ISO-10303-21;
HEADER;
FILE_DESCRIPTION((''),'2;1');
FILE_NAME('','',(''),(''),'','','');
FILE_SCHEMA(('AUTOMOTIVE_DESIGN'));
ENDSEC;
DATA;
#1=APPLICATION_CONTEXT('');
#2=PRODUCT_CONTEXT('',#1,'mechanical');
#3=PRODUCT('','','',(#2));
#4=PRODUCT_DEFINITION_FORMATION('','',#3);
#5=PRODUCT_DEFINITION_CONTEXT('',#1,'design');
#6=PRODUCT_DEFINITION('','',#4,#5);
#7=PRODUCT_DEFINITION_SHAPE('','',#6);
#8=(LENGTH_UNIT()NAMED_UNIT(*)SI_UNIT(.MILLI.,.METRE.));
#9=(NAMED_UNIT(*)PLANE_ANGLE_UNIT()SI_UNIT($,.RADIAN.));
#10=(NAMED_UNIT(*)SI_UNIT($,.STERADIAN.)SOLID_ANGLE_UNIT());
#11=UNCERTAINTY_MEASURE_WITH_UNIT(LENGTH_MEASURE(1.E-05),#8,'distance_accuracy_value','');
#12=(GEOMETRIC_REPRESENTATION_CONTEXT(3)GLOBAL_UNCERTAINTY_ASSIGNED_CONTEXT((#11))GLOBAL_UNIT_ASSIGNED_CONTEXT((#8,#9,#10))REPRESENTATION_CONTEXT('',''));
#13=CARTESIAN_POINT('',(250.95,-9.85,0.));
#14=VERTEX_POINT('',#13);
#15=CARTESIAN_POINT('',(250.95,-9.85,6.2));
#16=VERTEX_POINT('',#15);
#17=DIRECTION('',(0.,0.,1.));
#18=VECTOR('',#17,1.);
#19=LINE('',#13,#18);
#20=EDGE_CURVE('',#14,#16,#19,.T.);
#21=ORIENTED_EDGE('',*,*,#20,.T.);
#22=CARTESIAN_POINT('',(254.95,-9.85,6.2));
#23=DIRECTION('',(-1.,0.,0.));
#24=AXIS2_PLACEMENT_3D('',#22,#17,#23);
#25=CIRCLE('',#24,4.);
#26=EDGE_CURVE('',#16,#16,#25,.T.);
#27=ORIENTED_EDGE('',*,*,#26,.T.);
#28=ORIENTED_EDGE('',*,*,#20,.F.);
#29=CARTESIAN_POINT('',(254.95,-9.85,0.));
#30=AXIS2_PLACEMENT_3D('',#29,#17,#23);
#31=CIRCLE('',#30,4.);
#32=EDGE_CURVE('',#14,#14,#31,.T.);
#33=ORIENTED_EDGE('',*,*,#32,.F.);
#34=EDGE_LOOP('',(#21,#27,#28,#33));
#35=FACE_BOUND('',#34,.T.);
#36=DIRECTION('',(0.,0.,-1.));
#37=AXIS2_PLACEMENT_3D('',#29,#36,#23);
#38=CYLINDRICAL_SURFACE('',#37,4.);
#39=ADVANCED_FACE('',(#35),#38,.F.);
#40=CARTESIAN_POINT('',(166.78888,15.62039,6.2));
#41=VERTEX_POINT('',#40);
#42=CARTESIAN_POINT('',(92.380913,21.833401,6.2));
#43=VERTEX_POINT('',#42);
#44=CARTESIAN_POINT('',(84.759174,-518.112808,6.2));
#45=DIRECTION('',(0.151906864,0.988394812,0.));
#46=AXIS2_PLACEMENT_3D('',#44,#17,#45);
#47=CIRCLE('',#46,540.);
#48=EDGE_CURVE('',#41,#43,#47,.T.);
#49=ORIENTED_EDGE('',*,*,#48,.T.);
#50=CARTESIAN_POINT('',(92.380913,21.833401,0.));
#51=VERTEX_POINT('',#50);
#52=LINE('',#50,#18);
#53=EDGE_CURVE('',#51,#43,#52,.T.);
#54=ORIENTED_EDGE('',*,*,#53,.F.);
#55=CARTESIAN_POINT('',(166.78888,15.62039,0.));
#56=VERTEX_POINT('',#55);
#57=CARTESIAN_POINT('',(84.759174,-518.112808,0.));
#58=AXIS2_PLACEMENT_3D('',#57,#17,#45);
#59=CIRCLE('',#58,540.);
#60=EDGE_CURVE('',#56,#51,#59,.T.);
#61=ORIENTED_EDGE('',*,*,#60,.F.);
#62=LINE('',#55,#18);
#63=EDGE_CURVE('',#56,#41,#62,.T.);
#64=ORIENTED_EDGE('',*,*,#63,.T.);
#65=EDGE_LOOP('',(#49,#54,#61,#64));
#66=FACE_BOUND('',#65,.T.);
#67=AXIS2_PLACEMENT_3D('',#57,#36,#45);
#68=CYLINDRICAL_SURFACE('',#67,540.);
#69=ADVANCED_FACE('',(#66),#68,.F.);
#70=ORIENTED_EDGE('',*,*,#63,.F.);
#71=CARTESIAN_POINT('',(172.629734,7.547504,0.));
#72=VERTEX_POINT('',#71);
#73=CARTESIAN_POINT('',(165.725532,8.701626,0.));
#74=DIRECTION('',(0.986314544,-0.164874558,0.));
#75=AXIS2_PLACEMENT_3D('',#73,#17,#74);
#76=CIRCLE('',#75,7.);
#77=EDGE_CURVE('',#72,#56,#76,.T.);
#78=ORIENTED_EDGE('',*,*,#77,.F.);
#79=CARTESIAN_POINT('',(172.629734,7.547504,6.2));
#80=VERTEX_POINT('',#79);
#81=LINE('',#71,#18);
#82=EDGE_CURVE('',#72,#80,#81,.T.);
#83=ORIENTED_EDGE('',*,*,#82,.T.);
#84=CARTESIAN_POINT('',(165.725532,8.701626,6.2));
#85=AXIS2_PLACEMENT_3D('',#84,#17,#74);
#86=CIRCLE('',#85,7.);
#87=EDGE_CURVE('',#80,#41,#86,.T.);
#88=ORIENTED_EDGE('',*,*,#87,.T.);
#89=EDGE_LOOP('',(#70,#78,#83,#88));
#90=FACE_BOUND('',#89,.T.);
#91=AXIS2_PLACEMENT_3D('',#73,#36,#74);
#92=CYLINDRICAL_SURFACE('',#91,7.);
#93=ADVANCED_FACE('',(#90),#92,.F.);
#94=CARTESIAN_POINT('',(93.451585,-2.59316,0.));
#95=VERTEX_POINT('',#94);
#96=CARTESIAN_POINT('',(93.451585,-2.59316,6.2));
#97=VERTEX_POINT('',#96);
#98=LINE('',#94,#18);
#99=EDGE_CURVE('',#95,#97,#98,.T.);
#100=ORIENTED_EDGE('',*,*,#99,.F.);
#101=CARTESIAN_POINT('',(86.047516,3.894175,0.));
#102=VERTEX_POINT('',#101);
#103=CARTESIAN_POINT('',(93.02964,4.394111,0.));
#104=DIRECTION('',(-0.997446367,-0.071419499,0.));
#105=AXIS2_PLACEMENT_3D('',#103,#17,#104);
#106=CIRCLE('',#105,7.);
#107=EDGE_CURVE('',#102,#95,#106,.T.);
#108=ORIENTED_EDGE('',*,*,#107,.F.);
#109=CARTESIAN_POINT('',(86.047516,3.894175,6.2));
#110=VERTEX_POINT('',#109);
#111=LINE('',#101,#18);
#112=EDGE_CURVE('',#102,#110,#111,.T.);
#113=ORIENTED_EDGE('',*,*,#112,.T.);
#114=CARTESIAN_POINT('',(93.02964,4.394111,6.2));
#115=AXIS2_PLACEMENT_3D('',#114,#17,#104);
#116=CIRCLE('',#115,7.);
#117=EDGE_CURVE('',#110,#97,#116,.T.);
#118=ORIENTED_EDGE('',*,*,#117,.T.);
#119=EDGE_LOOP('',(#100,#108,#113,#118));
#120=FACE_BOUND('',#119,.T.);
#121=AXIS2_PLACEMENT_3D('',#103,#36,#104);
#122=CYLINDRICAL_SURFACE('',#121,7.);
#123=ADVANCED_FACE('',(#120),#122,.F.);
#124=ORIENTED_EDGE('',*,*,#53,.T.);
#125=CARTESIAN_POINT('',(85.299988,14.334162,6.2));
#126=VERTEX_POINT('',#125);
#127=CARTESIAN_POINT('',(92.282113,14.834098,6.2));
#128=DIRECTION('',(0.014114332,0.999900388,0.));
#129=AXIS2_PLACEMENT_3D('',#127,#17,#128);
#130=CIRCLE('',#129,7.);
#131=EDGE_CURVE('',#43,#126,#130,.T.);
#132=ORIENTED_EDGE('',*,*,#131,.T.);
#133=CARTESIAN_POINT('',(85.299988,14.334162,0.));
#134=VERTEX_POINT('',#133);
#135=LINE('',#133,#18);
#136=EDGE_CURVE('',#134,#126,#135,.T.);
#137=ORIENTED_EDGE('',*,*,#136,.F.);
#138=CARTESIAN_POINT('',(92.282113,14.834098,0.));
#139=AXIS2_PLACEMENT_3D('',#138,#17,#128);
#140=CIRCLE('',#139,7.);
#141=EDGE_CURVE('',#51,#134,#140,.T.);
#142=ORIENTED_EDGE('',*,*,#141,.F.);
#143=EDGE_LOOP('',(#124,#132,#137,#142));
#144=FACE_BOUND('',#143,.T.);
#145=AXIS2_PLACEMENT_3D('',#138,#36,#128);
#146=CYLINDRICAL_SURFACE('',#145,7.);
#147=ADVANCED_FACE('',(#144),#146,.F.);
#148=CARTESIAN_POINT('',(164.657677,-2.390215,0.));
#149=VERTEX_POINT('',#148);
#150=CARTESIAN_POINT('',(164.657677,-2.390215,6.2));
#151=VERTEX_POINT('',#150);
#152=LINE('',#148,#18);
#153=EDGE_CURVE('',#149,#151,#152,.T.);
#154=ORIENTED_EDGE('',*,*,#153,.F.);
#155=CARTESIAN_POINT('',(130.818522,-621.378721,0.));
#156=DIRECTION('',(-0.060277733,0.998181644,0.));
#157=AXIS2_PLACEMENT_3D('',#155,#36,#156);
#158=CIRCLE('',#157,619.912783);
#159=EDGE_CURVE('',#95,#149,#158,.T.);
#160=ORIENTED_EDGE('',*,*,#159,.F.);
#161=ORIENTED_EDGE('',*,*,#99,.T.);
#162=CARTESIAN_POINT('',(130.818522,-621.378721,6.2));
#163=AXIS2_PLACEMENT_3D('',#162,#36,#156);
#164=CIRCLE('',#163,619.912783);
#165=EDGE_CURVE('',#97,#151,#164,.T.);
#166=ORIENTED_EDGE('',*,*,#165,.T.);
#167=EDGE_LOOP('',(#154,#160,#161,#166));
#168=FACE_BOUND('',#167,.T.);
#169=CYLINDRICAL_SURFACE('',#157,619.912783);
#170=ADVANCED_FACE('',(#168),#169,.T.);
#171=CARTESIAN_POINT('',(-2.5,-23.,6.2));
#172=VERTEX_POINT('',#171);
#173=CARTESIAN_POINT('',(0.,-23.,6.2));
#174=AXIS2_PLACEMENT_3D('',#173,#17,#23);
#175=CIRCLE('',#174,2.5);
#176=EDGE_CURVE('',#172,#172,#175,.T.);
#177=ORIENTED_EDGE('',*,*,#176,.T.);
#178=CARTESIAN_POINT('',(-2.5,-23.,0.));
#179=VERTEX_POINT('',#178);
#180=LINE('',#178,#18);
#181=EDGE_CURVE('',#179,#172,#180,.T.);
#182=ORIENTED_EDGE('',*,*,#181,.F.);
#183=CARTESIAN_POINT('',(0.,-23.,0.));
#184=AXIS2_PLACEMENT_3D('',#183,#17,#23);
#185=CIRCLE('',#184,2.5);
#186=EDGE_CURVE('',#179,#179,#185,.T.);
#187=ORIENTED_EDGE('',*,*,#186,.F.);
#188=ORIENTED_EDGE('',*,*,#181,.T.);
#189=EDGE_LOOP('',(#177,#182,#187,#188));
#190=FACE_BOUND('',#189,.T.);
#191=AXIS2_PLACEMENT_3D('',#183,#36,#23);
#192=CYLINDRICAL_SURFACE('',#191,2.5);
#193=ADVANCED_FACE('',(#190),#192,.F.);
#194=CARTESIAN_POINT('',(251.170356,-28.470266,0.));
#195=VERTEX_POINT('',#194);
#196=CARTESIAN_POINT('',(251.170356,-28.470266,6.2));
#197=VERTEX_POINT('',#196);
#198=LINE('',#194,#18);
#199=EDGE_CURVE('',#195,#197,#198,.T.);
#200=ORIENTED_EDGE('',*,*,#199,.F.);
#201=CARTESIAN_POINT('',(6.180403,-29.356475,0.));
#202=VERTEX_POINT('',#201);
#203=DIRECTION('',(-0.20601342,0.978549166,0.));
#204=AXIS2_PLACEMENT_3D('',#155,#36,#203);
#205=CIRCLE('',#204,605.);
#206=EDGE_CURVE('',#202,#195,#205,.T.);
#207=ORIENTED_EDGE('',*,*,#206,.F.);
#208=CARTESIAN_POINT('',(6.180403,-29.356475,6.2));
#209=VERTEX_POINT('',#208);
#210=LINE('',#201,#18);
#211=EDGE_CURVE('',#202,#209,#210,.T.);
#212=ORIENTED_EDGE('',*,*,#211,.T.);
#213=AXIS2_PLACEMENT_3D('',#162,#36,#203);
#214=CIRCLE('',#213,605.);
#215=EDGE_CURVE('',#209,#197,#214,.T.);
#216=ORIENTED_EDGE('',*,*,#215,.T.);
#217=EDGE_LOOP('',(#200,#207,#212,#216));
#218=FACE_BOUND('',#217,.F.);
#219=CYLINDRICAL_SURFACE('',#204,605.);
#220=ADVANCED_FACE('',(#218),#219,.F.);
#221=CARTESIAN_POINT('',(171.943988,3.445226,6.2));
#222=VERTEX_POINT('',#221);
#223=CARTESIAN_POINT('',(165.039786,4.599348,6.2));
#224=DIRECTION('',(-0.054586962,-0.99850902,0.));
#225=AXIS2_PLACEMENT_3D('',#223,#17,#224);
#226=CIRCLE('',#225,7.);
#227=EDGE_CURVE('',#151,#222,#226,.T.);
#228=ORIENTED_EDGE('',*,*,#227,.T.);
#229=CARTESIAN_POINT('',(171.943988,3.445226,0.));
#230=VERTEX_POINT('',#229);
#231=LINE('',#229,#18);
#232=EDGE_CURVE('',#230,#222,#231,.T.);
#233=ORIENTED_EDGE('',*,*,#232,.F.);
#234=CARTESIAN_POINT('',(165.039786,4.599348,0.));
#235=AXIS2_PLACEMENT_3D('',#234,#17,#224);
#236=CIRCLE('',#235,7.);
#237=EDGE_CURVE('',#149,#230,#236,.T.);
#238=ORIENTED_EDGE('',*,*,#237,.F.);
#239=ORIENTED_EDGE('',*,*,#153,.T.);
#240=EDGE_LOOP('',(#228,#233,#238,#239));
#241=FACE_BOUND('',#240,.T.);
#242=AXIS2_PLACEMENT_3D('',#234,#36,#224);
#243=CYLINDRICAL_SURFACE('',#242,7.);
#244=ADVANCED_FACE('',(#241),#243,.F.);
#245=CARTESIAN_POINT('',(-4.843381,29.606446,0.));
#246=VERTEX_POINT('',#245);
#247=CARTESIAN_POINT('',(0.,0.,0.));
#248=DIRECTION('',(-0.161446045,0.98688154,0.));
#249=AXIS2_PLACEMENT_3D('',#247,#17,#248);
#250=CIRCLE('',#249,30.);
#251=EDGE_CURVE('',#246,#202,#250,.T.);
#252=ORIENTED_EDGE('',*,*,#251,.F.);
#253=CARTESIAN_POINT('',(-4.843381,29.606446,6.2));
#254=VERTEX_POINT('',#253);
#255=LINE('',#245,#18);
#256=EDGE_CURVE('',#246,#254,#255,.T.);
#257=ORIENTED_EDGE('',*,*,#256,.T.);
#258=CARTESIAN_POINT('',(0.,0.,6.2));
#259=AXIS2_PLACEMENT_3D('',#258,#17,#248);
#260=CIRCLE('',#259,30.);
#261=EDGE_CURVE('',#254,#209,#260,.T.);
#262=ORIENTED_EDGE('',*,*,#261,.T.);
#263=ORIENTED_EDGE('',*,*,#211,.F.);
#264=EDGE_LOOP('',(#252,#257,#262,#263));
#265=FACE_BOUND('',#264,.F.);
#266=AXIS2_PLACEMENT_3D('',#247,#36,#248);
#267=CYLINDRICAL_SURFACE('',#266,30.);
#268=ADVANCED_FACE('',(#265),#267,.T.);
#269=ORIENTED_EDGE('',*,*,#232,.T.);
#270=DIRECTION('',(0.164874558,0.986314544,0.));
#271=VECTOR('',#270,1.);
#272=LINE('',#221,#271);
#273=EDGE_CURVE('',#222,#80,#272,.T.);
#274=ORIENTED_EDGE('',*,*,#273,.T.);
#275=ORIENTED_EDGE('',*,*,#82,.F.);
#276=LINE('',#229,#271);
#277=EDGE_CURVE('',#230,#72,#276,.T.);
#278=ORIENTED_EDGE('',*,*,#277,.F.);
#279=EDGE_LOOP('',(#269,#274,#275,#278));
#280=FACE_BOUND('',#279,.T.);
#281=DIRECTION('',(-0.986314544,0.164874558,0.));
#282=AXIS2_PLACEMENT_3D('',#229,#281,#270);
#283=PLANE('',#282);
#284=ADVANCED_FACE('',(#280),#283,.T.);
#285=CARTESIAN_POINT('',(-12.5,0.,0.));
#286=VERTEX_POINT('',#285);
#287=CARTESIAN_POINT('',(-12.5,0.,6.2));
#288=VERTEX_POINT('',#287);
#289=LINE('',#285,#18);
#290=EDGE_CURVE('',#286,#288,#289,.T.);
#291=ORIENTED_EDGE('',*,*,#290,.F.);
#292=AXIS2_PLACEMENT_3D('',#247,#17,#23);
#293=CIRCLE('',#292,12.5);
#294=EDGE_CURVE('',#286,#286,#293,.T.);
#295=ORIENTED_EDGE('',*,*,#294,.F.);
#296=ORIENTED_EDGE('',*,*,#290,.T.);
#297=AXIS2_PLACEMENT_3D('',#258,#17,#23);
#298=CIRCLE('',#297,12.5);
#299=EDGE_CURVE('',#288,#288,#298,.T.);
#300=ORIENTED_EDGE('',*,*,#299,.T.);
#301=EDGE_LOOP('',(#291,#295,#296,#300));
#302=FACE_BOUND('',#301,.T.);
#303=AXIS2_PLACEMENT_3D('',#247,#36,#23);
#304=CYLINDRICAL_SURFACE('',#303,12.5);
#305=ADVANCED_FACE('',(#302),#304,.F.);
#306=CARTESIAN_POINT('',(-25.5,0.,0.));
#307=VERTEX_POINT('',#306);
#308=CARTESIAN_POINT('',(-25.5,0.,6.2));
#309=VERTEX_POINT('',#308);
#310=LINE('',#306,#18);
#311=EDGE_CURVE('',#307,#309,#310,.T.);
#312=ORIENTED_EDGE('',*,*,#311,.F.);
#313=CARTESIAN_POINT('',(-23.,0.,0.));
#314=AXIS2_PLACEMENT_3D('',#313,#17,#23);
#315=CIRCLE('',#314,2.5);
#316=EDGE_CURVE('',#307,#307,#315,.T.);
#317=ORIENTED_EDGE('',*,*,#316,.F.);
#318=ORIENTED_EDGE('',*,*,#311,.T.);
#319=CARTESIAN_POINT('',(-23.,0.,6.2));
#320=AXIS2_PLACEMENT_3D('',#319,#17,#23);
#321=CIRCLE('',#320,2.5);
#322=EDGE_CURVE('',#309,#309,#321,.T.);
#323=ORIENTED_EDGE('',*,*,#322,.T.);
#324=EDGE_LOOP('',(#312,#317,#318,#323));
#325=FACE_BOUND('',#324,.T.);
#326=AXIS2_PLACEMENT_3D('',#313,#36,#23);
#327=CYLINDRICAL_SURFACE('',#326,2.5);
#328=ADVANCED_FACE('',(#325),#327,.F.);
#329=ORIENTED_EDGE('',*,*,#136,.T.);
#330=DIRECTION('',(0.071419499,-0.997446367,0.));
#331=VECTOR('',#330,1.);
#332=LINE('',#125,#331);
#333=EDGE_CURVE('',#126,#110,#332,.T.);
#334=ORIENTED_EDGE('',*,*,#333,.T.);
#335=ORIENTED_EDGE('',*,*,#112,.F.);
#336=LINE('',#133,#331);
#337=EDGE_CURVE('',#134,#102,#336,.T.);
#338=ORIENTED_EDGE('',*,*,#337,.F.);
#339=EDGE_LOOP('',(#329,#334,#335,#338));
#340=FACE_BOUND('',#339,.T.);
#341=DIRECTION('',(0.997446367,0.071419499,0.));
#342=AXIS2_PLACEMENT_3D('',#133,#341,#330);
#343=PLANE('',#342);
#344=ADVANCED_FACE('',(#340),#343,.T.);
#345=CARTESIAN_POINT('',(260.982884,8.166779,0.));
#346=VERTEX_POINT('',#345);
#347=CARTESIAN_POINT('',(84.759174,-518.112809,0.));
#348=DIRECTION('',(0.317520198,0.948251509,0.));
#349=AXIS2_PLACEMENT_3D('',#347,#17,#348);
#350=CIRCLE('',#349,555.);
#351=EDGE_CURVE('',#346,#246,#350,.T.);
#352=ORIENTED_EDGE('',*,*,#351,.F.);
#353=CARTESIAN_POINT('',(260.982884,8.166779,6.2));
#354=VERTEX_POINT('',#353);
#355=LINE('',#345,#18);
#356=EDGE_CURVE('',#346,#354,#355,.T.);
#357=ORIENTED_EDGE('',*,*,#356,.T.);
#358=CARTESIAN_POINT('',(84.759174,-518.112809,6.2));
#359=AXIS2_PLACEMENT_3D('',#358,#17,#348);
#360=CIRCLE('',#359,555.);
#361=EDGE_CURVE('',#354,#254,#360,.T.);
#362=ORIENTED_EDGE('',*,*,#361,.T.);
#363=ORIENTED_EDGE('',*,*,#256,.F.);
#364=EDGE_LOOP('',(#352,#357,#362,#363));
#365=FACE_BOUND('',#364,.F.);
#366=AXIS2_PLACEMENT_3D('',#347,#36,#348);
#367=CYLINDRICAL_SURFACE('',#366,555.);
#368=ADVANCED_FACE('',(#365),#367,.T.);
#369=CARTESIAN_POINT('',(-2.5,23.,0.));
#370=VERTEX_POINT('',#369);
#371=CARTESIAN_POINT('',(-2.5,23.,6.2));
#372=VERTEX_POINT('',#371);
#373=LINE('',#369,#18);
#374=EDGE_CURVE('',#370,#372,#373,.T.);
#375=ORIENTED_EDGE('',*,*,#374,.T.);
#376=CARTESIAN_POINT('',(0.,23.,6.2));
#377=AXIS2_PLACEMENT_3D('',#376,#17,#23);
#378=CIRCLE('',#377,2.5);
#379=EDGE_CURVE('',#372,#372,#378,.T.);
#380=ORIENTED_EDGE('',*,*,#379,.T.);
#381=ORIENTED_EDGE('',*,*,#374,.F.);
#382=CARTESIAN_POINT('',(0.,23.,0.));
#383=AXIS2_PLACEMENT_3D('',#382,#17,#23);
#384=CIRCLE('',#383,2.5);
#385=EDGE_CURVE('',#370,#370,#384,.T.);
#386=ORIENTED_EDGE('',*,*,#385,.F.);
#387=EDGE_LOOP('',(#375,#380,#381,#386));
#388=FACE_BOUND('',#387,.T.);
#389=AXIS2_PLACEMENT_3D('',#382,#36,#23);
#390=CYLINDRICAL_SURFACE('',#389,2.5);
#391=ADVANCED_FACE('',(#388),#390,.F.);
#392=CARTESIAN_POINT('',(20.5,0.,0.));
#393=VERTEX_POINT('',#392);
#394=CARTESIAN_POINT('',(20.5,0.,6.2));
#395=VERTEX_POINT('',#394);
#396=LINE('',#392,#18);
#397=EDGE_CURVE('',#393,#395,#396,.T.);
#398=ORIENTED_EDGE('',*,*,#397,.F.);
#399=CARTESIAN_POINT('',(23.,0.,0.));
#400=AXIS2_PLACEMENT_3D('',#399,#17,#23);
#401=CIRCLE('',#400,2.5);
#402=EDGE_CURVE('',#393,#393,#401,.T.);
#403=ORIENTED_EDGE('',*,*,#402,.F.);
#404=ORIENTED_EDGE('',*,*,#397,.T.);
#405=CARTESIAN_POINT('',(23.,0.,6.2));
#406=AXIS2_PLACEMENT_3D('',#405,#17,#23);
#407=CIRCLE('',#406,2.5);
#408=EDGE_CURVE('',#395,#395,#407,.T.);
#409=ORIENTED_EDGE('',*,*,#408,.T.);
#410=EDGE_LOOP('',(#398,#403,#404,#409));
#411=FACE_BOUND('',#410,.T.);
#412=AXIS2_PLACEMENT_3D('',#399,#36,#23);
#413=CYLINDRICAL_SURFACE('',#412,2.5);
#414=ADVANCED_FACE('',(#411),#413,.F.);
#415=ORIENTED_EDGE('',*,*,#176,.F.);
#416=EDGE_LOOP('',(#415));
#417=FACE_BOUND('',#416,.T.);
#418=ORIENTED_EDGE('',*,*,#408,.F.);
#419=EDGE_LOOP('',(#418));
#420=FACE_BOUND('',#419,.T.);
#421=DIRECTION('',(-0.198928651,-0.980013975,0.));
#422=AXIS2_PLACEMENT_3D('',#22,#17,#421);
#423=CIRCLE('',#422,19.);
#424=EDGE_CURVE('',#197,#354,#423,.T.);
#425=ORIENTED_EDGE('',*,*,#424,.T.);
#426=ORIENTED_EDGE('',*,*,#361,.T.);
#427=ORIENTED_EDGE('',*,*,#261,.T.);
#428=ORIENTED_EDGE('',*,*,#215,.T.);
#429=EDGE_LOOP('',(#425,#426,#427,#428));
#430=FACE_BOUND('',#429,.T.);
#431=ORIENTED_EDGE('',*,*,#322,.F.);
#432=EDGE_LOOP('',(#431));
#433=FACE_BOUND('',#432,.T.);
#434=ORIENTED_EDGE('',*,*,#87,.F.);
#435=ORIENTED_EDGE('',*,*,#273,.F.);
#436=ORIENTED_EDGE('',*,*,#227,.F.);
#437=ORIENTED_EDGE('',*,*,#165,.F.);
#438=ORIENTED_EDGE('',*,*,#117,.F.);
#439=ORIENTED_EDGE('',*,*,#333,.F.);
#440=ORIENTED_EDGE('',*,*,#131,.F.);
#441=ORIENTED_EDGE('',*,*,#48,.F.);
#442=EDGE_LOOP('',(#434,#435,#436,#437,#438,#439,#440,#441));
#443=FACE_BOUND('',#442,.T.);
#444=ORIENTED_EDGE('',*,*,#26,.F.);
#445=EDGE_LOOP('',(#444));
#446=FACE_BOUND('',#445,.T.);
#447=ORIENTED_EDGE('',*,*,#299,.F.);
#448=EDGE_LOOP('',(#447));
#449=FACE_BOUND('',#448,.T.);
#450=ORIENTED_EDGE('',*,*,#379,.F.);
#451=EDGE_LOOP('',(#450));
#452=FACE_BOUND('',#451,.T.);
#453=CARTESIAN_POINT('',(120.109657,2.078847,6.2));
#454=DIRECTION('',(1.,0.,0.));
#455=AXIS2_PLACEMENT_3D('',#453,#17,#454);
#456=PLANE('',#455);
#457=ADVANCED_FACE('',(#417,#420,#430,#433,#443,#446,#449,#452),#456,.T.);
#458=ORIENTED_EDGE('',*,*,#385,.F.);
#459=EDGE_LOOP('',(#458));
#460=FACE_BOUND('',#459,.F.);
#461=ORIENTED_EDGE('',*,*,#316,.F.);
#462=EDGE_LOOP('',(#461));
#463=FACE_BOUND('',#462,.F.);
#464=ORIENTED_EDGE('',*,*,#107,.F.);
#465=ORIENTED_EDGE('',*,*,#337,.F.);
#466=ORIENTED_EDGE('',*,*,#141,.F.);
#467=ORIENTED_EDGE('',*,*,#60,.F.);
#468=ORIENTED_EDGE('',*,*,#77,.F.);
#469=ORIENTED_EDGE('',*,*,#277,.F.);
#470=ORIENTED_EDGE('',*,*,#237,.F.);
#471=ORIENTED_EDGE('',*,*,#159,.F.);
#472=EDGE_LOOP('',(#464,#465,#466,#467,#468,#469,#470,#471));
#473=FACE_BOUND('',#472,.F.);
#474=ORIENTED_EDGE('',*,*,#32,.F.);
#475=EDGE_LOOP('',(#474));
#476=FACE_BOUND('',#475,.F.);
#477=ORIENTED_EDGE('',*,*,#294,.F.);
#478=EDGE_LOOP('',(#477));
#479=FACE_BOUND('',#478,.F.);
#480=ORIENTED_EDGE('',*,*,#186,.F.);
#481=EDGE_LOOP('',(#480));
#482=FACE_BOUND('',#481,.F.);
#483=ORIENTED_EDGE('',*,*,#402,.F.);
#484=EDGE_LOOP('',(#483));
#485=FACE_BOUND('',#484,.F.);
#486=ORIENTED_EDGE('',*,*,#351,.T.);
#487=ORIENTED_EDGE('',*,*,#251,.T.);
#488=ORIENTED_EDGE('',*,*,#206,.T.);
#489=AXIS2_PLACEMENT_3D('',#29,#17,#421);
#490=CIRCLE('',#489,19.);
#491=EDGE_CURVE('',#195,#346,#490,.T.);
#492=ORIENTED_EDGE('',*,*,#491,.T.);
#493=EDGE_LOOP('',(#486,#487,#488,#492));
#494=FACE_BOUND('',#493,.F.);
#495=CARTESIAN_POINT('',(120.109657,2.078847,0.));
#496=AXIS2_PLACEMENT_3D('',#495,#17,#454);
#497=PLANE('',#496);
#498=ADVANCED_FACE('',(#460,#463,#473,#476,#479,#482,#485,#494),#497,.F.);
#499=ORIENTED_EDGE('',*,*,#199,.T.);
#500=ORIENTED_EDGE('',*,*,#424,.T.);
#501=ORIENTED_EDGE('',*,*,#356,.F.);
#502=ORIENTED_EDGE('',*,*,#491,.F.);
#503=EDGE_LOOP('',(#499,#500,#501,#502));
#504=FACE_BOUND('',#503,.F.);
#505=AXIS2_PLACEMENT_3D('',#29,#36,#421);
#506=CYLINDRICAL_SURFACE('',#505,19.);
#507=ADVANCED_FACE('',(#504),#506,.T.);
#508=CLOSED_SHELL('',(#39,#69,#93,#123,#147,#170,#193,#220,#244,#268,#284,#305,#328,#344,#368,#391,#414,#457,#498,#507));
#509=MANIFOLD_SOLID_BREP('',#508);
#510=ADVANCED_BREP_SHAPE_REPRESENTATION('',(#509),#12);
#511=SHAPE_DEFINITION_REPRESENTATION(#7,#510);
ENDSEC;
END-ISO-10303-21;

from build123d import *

# Parameters (mm, degrees)
SKETCH1_R           = 4
SKETCH1_R_2         = 2.5
SKETCH1_R_3         = 12.5
BOSS_EXTRUDE1_DEPTH = 6.2


with BuildPart() as part:
    # Sketch1 → Boss-Extrude1 (new body)
    with BuildSketch(Plane.XY):
        with BuildLine():
            ThreePointArc((-4.843381354, 29.606446208), (-29.489039073, -5.513308858), (6.180402599, -29.356474988))
            ThreePointArc((6.180402599, -29.356474988), (128.63005147, -16.382678773), (251.170355628, -28.47026553))
            ThreePointArc((251.170355628, -28.47026553), (273.303133895, -14.765534175), (260.982883768, 8.166778664))
            ThreePointArc((260.982883768, 8.166778664), (129.376669821, 35.090841966), (-4.843381354, 29.606446208))
        make_face()
        with Locations(Location((254.95, -9.85, 0), (0, 0, 180))):
            Circle(SKETCH1_R, mode=Mode.SUBTRACT)
        with Locations(Location((0, 23, 0), (0, 0, 180))):
            Circle(SKETCH1_R_2, mode=Mode.SUBTRACT)
        with Locations(Location((0, -23, 0), (0, 0, 180))):
            Circle(SKETCH1_R_2, mode=Mode.SUBTRACT)
        with Locations(Location((-23, 0, 0), (0, 0, 180))):
            Circle(SKETCH1_R_2, mode=Mode.SUBTRACT)
        with Locations(Location((23, 0, 0), (0, 0, 180))):
            Circle(SKETCH1_R_2, mode=Mode.SUBTRACT)
        with Locations(Location((0, 0, 0), (0, 0, 180))):
            Circle(SKETCH1_R_3, mode=Mode.SUBTRACT)
        with BuildLine():
            Line((85.299988347, 14.334161591), (86.047515876, 3.894174942))
            ThreePointArc((86.047515876, 3.894174942), (88.416575223, -0.870831987), (93.451584576, -2.593160073))
            ThreePointArc((93.451584576, -2.593160073), (129.051714651, -1.468455886), (164.657677356, -2.390215498))
            ThreePointArc((164.657677356, -2.390215498), (169.415573807, -0.864394835), (171.943987902, 3.445225739))
            Line((171.943987902, 3.445225739), (172.629734019, 7.547504331))
            ThreePointArc((172.629734019, 7.547504331), (171.396804828, 12.804877005), (166.788880257, 15.62038992))
            ThreePointArc((166.788880257, 15.62038992), (129.692411097, 20.014503602), (92.380913243, 21.833400801))
            ThreePointArc((92.380913243, 21.833400801), (87.192448356, 19.639856576), (85.299988347, 14.334161591))
        make_face(mode=Mode.SUBTRACT)
    extrude(amount=BOSS_EXTRUDE1_DEPTH)


solid = part.part
